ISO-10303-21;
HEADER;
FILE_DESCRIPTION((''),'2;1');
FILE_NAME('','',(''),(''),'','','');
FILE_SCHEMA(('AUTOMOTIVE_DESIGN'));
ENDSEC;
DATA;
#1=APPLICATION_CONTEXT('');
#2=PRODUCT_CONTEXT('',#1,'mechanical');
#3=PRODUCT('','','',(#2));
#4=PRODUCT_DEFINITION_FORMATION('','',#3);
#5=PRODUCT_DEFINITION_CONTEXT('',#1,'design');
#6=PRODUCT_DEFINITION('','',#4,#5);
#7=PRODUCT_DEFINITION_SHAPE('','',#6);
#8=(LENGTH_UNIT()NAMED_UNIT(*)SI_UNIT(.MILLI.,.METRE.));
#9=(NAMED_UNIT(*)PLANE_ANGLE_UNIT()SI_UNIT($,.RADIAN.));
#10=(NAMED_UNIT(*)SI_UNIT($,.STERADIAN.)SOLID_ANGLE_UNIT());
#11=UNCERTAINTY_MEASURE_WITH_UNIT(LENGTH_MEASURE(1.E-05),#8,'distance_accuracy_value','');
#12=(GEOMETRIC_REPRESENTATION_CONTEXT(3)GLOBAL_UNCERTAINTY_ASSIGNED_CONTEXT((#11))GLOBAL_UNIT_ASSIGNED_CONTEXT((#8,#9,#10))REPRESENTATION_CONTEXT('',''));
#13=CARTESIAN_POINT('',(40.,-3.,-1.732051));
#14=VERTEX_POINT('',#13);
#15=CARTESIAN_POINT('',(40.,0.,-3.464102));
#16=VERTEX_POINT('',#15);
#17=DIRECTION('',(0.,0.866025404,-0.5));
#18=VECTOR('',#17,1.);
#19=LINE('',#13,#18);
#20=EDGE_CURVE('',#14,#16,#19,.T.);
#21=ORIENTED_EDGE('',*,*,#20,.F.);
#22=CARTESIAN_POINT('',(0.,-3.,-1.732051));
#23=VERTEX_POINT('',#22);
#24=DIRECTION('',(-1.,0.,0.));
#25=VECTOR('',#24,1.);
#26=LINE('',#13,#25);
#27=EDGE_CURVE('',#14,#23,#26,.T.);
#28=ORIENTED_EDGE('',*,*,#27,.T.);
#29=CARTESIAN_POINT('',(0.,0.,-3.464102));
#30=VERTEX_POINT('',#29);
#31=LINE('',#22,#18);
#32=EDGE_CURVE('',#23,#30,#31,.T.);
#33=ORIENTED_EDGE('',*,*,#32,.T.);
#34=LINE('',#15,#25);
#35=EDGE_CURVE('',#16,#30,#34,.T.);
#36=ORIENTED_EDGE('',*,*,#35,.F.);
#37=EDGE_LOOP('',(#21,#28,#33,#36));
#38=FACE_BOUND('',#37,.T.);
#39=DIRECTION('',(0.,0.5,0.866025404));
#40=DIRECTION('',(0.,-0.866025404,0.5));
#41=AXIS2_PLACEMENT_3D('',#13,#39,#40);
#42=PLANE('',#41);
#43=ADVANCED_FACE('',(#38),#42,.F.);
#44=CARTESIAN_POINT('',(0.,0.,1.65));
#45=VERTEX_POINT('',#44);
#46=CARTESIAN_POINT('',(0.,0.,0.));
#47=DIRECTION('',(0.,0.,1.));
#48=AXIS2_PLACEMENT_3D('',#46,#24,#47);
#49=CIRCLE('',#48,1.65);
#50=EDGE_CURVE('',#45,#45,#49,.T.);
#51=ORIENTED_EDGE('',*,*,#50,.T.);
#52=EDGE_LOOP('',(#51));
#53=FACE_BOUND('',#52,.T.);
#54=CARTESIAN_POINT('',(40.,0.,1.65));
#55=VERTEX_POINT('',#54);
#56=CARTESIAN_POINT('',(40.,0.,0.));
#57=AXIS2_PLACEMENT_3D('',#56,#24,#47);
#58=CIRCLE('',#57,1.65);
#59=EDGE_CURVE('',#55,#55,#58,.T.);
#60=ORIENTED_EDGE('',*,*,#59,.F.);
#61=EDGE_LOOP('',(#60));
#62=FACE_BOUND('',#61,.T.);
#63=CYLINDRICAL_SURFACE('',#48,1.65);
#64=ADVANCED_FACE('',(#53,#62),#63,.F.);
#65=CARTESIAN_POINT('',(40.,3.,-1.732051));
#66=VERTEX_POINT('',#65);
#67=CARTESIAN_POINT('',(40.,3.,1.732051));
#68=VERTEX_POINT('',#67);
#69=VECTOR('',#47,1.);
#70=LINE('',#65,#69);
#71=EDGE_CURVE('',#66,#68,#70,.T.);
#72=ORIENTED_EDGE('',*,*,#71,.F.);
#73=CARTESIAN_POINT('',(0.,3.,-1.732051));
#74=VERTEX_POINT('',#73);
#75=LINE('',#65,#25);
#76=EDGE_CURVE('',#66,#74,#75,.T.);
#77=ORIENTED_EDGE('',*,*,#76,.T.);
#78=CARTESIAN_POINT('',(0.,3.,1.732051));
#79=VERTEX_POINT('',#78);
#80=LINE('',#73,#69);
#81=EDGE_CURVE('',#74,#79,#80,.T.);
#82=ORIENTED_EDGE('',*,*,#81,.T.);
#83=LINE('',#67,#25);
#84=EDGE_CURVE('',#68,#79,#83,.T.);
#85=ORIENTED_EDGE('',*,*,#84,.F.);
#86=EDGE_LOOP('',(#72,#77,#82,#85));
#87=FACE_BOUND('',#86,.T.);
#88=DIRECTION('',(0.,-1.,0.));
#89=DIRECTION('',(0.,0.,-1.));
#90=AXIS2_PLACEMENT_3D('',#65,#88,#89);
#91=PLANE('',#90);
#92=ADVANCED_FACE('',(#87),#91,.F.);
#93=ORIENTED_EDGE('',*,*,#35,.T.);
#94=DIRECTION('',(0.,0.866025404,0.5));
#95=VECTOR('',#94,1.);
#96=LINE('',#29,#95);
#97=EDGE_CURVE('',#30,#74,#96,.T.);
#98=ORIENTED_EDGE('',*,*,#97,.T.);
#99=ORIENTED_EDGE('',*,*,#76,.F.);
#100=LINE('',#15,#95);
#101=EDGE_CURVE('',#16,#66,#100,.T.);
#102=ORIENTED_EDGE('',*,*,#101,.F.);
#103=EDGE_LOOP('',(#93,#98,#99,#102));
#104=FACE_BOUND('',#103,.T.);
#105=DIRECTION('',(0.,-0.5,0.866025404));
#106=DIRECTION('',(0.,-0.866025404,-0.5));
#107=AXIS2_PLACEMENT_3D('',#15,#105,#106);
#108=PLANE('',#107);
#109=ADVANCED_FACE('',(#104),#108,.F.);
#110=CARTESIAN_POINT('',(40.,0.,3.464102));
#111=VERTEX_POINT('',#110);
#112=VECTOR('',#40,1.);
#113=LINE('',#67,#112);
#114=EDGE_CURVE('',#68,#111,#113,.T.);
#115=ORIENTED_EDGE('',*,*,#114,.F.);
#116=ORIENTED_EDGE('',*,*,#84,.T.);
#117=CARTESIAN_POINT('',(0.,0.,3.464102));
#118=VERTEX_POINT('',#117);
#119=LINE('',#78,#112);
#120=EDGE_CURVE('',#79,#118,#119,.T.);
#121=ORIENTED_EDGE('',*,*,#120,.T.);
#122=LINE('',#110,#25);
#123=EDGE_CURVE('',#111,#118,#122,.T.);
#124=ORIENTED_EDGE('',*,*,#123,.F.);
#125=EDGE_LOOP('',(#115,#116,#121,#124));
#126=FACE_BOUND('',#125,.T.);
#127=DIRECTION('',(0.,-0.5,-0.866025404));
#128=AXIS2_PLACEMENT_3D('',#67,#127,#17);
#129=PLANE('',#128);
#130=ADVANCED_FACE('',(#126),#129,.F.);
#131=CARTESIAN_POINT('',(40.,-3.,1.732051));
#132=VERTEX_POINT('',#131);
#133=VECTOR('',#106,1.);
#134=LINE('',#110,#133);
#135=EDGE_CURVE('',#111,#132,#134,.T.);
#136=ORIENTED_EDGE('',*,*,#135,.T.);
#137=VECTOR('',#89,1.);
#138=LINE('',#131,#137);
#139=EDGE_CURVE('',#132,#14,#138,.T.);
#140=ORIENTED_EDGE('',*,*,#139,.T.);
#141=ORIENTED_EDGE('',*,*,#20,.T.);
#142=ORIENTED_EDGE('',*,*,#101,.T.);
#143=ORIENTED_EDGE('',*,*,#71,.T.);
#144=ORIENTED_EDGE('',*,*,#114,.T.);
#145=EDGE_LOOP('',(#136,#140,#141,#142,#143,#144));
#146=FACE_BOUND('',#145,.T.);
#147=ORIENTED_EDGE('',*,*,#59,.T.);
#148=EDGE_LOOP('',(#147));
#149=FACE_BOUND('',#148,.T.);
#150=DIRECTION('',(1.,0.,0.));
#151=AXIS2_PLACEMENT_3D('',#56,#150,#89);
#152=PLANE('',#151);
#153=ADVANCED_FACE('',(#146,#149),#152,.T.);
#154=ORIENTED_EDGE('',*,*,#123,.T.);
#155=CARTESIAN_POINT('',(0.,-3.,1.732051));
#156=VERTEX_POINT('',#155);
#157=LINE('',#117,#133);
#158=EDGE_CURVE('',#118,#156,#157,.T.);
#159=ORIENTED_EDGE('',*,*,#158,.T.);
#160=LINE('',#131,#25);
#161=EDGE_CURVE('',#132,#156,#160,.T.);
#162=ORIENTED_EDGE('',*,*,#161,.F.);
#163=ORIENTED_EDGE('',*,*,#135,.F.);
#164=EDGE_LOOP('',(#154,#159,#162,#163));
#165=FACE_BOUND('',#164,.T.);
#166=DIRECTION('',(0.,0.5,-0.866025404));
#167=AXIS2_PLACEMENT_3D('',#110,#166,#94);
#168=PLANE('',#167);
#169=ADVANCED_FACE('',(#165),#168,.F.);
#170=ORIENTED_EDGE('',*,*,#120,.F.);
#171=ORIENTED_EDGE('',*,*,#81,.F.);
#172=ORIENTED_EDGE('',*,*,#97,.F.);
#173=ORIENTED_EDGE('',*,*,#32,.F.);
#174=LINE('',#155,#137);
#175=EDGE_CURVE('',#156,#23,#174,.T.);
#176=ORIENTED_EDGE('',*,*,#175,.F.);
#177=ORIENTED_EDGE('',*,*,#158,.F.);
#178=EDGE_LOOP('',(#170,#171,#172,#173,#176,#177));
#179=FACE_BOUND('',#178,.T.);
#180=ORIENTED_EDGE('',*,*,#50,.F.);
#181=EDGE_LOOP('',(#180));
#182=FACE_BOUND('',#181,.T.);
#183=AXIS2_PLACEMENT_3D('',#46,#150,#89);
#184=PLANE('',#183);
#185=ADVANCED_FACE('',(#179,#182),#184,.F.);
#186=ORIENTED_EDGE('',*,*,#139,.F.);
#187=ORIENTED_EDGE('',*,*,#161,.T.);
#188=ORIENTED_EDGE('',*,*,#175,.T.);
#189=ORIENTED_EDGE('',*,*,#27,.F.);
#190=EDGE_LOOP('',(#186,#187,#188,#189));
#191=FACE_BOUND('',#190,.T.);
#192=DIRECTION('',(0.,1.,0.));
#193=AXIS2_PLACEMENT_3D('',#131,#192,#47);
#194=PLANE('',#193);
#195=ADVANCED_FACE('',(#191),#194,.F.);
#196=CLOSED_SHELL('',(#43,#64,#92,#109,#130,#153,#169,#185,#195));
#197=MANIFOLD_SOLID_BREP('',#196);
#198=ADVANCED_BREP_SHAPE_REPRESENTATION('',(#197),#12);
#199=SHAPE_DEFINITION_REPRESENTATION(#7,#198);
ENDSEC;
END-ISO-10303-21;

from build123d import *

# Parameters (mm, degrees)
EXTRUDE_1_DEPTH    = 40
HOLE_WIZARD_M4_1_D = 3.3


with BuildPart() as part:
    # 草图1 → 凸台-拉伸1 (new body)
    with BuildSketch(Plane(origin=(0, 0, 0), x_dir=(0, 0, -1), z_dir=(1, 0, 0))):
        Polygon((3.464101615, 0), (1.732050808, 3), (-1.732050808, 3), (-3.464101615, 0), (-1.732050808, -3), (1.732050808, -3), align=None)
    extrude(amount=EXTRUDE_1_DEPTH)

    # M4 螺纹孔1 (through all)
    with Locations(Plane.ZY):
        with Locations((0, 0)):
            Hole(HOLE_WIZARD_M4_1_D / 2)


solid = part.part
